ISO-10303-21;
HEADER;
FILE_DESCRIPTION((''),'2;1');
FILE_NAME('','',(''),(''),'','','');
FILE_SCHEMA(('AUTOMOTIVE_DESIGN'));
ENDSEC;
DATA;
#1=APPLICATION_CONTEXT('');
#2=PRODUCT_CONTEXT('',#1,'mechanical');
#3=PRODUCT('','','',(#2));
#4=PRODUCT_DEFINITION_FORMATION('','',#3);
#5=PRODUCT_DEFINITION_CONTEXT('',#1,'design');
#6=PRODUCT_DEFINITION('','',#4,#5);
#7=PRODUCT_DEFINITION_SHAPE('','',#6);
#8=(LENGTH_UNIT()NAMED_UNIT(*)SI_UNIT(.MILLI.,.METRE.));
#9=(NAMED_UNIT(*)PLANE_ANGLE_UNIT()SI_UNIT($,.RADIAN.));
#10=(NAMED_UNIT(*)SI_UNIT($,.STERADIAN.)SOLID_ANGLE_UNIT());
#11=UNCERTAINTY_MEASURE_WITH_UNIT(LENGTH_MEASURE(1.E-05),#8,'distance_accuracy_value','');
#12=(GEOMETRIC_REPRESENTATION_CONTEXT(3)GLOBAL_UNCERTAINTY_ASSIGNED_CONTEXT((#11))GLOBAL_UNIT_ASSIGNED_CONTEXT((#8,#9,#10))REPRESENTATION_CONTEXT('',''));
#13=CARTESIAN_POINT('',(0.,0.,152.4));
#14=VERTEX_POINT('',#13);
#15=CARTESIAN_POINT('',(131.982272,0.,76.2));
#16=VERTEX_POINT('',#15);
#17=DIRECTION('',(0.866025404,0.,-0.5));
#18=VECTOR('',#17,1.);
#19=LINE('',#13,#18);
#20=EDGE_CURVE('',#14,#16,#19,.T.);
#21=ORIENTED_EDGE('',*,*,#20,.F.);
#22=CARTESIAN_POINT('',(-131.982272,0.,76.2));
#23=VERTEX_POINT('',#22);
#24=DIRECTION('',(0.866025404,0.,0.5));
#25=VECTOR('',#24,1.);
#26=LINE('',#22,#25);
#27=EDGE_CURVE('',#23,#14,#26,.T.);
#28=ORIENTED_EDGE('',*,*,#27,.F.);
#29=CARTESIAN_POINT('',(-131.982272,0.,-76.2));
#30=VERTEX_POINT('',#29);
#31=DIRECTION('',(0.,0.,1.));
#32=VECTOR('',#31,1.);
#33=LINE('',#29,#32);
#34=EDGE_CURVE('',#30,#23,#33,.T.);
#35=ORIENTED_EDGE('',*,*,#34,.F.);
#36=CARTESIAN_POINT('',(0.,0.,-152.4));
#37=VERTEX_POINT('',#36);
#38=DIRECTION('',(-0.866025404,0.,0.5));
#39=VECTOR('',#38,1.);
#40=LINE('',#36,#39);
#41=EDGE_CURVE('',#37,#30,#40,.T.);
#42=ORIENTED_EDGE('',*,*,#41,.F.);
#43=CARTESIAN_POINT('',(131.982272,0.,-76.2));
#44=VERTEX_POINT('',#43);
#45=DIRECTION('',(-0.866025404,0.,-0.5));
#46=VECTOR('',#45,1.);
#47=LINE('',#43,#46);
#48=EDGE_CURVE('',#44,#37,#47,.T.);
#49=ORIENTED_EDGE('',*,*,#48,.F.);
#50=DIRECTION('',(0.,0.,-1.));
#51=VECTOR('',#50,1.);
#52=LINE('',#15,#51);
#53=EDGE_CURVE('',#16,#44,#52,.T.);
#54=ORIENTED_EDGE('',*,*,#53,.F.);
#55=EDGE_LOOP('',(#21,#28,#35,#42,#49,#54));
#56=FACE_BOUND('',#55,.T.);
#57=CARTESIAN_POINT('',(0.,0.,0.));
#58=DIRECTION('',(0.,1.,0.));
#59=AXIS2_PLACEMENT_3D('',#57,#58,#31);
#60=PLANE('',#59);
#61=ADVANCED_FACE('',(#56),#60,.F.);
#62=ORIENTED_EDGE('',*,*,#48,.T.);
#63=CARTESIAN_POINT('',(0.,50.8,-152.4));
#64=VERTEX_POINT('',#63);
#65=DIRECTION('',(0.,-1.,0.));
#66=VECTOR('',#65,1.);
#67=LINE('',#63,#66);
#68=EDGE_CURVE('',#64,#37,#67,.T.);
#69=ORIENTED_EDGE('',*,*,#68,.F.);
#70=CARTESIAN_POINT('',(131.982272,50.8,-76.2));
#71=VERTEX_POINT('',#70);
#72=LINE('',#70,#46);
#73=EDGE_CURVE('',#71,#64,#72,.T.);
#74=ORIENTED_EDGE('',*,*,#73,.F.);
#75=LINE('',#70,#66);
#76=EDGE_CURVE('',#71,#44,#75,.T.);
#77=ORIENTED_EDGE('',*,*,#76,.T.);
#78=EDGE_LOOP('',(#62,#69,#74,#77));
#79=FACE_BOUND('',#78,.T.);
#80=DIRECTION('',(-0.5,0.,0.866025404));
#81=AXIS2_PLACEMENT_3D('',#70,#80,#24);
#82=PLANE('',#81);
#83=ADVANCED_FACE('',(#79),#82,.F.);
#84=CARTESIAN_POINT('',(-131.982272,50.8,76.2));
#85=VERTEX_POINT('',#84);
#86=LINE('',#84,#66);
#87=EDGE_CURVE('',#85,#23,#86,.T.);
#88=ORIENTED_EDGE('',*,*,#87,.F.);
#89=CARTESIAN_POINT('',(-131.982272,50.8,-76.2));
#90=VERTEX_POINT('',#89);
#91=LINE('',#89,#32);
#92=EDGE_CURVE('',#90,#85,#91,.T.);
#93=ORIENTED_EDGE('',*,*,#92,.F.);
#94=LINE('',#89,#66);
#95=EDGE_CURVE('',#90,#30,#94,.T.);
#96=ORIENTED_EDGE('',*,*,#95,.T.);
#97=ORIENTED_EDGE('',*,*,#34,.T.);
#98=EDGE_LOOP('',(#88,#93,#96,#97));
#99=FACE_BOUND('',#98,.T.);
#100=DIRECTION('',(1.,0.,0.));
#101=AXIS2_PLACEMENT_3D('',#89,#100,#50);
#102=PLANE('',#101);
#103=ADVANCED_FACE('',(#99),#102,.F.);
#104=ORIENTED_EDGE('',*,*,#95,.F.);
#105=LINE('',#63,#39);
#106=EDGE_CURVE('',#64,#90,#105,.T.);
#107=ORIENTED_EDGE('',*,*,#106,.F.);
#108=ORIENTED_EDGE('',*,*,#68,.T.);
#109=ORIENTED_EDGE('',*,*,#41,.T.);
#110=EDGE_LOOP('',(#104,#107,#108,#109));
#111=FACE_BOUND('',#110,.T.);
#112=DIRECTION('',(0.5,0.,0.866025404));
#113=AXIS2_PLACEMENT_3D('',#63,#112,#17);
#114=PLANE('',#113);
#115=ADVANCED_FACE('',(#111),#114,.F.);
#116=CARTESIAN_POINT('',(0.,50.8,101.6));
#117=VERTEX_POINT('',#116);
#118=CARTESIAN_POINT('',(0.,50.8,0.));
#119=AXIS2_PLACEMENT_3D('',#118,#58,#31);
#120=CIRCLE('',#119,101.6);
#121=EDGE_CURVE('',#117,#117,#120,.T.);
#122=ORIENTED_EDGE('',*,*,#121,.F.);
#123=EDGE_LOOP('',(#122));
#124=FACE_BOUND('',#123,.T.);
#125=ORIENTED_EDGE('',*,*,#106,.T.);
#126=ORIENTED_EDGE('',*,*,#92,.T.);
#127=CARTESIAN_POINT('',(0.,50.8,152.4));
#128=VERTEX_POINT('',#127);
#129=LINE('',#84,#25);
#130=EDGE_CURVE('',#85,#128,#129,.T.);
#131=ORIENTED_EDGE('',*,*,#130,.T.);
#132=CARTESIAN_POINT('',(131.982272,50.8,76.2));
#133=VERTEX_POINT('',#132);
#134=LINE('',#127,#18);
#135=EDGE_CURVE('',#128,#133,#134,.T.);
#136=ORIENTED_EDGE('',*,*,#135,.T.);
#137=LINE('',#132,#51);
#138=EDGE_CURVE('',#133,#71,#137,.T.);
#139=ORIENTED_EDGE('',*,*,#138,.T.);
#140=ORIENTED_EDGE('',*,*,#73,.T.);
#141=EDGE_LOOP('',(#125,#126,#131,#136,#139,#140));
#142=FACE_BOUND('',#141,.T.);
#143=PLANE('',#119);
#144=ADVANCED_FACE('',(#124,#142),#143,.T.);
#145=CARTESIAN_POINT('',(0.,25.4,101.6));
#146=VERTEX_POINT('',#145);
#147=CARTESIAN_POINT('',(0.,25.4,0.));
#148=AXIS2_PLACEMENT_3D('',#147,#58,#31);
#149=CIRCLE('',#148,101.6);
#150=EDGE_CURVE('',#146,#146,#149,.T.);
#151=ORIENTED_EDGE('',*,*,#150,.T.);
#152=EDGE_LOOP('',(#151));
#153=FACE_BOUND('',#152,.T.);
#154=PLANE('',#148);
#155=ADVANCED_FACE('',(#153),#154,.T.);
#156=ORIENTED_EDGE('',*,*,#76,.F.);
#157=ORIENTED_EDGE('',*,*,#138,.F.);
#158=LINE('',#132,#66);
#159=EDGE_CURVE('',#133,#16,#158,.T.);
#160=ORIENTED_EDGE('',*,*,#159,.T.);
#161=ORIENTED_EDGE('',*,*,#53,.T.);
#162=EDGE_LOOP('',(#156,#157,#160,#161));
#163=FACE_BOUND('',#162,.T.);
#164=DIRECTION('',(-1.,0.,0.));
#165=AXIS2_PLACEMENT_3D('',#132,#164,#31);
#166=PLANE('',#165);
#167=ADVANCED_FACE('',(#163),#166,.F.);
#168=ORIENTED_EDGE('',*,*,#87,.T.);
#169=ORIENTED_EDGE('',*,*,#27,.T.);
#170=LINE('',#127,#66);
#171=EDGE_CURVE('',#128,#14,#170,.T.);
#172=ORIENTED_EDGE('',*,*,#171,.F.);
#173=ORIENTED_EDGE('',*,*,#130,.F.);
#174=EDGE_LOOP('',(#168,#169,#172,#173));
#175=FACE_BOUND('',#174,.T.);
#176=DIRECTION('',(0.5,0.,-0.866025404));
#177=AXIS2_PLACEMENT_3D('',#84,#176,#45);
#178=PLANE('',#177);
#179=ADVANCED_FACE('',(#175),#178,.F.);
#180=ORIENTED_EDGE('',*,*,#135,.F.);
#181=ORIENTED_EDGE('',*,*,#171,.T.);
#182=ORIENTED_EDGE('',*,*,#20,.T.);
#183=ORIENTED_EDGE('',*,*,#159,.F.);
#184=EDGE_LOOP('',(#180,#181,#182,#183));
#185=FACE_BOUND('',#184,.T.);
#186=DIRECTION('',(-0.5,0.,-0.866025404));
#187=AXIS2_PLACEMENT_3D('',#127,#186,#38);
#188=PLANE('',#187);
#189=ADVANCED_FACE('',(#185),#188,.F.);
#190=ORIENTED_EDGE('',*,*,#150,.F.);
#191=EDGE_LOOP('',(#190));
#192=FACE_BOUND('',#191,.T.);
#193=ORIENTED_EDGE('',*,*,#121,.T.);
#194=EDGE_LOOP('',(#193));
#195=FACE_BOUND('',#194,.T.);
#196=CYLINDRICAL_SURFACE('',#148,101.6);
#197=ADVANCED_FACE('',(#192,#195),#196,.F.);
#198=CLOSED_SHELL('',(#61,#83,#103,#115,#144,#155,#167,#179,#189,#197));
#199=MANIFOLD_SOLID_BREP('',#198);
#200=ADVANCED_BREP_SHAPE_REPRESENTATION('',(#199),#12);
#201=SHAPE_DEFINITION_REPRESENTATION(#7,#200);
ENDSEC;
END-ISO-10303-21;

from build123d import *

# Parameters (mm, degrees)
BOSS_EXTRUDE1_DEPTH = 50.8
SKETCH2_R           = 101.6
CUT_EXTRUDE1_DEPTH  = 25.4


with BuildPart() as part:
    # Sketch1 → Boss-Extrude1 (new body)
    with BuildSketch(Plane(origin=(0, 0, 0), x_dir=(1, 0, 0), z_dir=(0, 1, 0))):
        Polygon((0, 152.4), (-131.982271537, 76.2), (-131.982271537, -76.2), (0, -152.4), (131.982271537, -76.2), (131.982271537, 76.2), align=None)
    extrude(amount=BOSS_EXTRUDE1_DEPTH)

    # Sketch2 → Cut-Extrude1 (cut)
    with BuildSketch(Plane(origin=(0, 50.8, 0), x_dir=(1, 0, 0), z_dir=(0, 1, 0))):
        with Locations(Location((0, 0, 0), (0, 0, 270))):
            Circle(SKETCH2_R)
    extrude(amount=-CUT_EXTRUDE1_DEPTH, mode=Mode.SUBTRACT)


solid = part.part
